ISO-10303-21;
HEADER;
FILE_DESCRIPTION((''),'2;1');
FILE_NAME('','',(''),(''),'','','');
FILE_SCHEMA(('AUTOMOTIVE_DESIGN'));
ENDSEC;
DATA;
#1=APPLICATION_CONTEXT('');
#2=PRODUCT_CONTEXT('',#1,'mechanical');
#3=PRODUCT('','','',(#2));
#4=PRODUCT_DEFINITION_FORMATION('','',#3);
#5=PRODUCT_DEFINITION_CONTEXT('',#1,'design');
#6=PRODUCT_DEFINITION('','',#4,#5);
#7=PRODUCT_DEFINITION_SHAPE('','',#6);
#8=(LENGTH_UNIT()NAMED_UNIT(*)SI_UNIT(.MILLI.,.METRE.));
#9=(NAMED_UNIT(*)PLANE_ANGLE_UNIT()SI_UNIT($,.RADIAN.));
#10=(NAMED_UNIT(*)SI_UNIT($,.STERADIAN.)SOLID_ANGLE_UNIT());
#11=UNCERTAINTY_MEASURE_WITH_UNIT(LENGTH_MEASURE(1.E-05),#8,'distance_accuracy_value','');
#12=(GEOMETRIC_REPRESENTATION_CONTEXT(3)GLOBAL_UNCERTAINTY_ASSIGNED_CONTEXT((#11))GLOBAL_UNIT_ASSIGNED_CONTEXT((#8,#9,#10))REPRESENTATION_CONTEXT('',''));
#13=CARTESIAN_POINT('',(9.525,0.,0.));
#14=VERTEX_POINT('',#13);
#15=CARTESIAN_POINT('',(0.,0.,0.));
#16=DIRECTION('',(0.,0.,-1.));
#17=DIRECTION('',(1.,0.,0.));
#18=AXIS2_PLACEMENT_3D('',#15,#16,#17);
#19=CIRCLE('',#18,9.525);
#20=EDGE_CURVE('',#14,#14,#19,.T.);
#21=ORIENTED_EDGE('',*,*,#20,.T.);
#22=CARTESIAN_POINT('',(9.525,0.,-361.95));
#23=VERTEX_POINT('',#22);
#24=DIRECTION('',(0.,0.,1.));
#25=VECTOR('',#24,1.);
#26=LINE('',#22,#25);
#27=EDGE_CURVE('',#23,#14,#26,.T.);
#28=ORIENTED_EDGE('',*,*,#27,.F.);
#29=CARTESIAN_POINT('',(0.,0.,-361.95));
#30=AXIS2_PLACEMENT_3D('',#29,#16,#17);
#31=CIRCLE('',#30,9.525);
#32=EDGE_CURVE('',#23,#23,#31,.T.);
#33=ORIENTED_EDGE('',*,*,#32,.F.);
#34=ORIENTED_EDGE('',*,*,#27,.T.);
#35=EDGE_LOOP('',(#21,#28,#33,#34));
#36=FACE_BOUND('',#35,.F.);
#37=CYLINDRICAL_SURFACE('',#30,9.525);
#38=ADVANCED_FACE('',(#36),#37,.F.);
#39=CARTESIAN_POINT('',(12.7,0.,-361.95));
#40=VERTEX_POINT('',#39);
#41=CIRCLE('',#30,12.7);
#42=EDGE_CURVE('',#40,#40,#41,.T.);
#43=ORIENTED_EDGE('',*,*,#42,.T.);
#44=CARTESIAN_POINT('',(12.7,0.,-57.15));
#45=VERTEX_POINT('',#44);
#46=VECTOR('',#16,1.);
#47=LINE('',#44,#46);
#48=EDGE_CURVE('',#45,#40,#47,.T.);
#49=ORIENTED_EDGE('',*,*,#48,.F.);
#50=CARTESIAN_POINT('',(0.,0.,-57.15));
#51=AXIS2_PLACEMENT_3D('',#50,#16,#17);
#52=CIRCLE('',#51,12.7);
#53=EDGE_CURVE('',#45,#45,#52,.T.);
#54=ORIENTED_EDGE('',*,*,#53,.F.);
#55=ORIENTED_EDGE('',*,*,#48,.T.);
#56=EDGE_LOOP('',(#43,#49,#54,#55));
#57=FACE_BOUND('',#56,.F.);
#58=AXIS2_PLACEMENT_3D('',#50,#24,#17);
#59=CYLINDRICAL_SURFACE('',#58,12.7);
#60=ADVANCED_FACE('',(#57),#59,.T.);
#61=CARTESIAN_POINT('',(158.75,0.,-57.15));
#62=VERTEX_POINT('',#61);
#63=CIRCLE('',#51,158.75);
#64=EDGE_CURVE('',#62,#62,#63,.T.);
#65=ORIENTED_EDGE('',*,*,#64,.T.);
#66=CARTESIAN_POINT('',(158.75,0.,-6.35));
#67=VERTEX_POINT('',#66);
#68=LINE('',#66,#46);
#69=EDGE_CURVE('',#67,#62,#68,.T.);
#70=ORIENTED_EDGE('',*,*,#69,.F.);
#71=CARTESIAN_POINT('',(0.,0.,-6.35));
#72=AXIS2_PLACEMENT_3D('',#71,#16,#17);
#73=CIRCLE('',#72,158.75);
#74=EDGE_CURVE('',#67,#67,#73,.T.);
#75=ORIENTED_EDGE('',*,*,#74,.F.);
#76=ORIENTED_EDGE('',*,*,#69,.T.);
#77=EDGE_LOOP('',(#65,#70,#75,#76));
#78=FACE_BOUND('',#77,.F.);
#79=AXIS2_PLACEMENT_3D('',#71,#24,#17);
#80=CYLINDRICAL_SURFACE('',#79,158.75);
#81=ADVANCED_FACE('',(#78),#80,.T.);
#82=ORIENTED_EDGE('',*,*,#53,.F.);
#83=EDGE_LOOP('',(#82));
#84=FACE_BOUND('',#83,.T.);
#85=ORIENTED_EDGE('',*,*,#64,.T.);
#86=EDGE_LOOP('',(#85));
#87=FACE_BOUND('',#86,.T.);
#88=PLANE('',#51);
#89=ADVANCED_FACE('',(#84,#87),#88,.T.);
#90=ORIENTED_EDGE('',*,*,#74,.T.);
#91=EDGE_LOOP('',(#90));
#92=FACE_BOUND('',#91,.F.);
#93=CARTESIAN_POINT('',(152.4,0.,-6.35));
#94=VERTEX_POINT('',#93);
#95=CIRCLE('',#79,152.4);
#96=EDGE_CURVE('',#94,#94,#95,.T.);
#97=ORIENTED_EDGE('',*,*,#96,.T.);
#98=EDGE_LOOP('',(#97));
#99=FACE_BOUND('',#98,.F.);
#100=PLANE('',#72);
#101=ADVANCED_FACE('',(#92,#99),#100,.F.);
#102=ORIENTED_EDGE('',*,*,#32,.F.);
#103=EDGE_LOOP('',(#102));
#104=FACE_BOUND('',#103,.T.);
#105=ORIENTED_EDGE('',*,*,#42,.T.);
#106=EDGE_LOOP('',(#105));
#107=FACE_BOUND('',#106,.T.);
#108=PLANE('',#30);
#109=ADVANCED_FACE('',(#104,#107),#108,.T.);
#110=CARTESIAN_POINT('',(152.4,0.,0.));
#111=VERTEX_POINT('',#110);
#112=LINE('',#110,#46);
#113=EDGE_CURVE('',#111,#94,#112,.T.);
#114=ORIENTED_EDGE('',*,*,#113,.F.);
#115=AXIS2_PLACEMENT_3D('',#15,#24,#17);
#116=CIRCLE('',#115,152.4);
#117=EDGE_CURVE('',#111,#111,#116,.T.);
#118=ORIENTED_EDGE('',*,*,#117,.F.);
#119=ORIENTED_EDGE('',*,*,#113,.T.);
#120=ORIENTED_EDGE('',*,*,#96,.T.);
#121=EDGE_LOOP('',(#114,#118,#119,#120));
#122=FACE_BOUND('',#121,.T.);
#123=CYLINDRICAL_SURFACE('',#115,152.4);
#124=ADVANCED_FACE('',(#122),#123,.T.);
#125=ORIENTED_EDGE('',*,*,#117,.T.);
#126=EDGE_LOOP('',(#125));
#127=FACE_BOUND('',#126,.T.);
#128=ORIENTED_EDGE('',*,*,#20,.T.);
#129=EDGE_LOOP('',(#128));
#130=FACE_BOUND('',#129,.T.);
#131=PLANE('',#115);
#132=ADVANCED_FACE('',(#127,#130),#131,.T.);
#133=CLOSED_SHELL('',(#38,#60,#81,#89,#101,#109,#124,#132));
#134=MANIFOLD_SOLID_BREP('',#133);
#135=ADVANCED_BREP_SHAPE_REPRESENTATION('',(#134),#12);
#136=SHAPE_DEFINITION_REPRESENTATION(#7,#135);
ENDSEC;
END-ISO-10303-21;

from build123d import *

# Parameters (mm, degrees)
F0_R     = 152.4
F1_DEPTH = 6.35
F2_R     = 158.75
F3_DEPTH = 50.8
F4_R     = 6.35
F5_DEPTH = 57.151
F6_R     = 12.7
F7_DEPTH = 304.8
F8_R     = 9.525
F9_DEPTH = 361.951


with BuildPart() as f1:
    # F0 (on Top) → F1 (new body)
    with BuildSketch(Plane.XY):
        Circle(F0_R)
    extrude(amount=-F1_DEPTH)

    # F2 (on face) → F3 (join)
    with BuildSketch(Plane(origin=(0, 0, -6.35), x_dir=(1, 0, 0), z_dir=(0, 0, -1))):
        Circle(F2_R)
    extrude(amount=F3_DEPTH)

    # F4 (on face) → F5 (cut, through all)
    with BuildSketch(Plane.XY):
        Circle(F4_R)
    extrude(amount=-F5_DEPTH, mode=Mode.SUBTRACT)

    # F6 (on face) → F7 (join)
    with BuildSketch(Plane(origin=(0, 0, -57.15), x_dir=(1, 0, 0), z_dir=(0, 0, -1))):
        Circle(F6_R)
    extrude(amount=F7_DEPTH)

    # F8 (on face) → F9 (cut, through all)
    with BuildSketch(Plane(origin=(0, 0, -361.95), x_dir=(1, 0, 0), z_dir=(0, 0, -1))):
        Circle(F8_R)
    extrude(amount=-F9_DEPTH, mode=Mode.SUBTRACT)


solid = f1.part
